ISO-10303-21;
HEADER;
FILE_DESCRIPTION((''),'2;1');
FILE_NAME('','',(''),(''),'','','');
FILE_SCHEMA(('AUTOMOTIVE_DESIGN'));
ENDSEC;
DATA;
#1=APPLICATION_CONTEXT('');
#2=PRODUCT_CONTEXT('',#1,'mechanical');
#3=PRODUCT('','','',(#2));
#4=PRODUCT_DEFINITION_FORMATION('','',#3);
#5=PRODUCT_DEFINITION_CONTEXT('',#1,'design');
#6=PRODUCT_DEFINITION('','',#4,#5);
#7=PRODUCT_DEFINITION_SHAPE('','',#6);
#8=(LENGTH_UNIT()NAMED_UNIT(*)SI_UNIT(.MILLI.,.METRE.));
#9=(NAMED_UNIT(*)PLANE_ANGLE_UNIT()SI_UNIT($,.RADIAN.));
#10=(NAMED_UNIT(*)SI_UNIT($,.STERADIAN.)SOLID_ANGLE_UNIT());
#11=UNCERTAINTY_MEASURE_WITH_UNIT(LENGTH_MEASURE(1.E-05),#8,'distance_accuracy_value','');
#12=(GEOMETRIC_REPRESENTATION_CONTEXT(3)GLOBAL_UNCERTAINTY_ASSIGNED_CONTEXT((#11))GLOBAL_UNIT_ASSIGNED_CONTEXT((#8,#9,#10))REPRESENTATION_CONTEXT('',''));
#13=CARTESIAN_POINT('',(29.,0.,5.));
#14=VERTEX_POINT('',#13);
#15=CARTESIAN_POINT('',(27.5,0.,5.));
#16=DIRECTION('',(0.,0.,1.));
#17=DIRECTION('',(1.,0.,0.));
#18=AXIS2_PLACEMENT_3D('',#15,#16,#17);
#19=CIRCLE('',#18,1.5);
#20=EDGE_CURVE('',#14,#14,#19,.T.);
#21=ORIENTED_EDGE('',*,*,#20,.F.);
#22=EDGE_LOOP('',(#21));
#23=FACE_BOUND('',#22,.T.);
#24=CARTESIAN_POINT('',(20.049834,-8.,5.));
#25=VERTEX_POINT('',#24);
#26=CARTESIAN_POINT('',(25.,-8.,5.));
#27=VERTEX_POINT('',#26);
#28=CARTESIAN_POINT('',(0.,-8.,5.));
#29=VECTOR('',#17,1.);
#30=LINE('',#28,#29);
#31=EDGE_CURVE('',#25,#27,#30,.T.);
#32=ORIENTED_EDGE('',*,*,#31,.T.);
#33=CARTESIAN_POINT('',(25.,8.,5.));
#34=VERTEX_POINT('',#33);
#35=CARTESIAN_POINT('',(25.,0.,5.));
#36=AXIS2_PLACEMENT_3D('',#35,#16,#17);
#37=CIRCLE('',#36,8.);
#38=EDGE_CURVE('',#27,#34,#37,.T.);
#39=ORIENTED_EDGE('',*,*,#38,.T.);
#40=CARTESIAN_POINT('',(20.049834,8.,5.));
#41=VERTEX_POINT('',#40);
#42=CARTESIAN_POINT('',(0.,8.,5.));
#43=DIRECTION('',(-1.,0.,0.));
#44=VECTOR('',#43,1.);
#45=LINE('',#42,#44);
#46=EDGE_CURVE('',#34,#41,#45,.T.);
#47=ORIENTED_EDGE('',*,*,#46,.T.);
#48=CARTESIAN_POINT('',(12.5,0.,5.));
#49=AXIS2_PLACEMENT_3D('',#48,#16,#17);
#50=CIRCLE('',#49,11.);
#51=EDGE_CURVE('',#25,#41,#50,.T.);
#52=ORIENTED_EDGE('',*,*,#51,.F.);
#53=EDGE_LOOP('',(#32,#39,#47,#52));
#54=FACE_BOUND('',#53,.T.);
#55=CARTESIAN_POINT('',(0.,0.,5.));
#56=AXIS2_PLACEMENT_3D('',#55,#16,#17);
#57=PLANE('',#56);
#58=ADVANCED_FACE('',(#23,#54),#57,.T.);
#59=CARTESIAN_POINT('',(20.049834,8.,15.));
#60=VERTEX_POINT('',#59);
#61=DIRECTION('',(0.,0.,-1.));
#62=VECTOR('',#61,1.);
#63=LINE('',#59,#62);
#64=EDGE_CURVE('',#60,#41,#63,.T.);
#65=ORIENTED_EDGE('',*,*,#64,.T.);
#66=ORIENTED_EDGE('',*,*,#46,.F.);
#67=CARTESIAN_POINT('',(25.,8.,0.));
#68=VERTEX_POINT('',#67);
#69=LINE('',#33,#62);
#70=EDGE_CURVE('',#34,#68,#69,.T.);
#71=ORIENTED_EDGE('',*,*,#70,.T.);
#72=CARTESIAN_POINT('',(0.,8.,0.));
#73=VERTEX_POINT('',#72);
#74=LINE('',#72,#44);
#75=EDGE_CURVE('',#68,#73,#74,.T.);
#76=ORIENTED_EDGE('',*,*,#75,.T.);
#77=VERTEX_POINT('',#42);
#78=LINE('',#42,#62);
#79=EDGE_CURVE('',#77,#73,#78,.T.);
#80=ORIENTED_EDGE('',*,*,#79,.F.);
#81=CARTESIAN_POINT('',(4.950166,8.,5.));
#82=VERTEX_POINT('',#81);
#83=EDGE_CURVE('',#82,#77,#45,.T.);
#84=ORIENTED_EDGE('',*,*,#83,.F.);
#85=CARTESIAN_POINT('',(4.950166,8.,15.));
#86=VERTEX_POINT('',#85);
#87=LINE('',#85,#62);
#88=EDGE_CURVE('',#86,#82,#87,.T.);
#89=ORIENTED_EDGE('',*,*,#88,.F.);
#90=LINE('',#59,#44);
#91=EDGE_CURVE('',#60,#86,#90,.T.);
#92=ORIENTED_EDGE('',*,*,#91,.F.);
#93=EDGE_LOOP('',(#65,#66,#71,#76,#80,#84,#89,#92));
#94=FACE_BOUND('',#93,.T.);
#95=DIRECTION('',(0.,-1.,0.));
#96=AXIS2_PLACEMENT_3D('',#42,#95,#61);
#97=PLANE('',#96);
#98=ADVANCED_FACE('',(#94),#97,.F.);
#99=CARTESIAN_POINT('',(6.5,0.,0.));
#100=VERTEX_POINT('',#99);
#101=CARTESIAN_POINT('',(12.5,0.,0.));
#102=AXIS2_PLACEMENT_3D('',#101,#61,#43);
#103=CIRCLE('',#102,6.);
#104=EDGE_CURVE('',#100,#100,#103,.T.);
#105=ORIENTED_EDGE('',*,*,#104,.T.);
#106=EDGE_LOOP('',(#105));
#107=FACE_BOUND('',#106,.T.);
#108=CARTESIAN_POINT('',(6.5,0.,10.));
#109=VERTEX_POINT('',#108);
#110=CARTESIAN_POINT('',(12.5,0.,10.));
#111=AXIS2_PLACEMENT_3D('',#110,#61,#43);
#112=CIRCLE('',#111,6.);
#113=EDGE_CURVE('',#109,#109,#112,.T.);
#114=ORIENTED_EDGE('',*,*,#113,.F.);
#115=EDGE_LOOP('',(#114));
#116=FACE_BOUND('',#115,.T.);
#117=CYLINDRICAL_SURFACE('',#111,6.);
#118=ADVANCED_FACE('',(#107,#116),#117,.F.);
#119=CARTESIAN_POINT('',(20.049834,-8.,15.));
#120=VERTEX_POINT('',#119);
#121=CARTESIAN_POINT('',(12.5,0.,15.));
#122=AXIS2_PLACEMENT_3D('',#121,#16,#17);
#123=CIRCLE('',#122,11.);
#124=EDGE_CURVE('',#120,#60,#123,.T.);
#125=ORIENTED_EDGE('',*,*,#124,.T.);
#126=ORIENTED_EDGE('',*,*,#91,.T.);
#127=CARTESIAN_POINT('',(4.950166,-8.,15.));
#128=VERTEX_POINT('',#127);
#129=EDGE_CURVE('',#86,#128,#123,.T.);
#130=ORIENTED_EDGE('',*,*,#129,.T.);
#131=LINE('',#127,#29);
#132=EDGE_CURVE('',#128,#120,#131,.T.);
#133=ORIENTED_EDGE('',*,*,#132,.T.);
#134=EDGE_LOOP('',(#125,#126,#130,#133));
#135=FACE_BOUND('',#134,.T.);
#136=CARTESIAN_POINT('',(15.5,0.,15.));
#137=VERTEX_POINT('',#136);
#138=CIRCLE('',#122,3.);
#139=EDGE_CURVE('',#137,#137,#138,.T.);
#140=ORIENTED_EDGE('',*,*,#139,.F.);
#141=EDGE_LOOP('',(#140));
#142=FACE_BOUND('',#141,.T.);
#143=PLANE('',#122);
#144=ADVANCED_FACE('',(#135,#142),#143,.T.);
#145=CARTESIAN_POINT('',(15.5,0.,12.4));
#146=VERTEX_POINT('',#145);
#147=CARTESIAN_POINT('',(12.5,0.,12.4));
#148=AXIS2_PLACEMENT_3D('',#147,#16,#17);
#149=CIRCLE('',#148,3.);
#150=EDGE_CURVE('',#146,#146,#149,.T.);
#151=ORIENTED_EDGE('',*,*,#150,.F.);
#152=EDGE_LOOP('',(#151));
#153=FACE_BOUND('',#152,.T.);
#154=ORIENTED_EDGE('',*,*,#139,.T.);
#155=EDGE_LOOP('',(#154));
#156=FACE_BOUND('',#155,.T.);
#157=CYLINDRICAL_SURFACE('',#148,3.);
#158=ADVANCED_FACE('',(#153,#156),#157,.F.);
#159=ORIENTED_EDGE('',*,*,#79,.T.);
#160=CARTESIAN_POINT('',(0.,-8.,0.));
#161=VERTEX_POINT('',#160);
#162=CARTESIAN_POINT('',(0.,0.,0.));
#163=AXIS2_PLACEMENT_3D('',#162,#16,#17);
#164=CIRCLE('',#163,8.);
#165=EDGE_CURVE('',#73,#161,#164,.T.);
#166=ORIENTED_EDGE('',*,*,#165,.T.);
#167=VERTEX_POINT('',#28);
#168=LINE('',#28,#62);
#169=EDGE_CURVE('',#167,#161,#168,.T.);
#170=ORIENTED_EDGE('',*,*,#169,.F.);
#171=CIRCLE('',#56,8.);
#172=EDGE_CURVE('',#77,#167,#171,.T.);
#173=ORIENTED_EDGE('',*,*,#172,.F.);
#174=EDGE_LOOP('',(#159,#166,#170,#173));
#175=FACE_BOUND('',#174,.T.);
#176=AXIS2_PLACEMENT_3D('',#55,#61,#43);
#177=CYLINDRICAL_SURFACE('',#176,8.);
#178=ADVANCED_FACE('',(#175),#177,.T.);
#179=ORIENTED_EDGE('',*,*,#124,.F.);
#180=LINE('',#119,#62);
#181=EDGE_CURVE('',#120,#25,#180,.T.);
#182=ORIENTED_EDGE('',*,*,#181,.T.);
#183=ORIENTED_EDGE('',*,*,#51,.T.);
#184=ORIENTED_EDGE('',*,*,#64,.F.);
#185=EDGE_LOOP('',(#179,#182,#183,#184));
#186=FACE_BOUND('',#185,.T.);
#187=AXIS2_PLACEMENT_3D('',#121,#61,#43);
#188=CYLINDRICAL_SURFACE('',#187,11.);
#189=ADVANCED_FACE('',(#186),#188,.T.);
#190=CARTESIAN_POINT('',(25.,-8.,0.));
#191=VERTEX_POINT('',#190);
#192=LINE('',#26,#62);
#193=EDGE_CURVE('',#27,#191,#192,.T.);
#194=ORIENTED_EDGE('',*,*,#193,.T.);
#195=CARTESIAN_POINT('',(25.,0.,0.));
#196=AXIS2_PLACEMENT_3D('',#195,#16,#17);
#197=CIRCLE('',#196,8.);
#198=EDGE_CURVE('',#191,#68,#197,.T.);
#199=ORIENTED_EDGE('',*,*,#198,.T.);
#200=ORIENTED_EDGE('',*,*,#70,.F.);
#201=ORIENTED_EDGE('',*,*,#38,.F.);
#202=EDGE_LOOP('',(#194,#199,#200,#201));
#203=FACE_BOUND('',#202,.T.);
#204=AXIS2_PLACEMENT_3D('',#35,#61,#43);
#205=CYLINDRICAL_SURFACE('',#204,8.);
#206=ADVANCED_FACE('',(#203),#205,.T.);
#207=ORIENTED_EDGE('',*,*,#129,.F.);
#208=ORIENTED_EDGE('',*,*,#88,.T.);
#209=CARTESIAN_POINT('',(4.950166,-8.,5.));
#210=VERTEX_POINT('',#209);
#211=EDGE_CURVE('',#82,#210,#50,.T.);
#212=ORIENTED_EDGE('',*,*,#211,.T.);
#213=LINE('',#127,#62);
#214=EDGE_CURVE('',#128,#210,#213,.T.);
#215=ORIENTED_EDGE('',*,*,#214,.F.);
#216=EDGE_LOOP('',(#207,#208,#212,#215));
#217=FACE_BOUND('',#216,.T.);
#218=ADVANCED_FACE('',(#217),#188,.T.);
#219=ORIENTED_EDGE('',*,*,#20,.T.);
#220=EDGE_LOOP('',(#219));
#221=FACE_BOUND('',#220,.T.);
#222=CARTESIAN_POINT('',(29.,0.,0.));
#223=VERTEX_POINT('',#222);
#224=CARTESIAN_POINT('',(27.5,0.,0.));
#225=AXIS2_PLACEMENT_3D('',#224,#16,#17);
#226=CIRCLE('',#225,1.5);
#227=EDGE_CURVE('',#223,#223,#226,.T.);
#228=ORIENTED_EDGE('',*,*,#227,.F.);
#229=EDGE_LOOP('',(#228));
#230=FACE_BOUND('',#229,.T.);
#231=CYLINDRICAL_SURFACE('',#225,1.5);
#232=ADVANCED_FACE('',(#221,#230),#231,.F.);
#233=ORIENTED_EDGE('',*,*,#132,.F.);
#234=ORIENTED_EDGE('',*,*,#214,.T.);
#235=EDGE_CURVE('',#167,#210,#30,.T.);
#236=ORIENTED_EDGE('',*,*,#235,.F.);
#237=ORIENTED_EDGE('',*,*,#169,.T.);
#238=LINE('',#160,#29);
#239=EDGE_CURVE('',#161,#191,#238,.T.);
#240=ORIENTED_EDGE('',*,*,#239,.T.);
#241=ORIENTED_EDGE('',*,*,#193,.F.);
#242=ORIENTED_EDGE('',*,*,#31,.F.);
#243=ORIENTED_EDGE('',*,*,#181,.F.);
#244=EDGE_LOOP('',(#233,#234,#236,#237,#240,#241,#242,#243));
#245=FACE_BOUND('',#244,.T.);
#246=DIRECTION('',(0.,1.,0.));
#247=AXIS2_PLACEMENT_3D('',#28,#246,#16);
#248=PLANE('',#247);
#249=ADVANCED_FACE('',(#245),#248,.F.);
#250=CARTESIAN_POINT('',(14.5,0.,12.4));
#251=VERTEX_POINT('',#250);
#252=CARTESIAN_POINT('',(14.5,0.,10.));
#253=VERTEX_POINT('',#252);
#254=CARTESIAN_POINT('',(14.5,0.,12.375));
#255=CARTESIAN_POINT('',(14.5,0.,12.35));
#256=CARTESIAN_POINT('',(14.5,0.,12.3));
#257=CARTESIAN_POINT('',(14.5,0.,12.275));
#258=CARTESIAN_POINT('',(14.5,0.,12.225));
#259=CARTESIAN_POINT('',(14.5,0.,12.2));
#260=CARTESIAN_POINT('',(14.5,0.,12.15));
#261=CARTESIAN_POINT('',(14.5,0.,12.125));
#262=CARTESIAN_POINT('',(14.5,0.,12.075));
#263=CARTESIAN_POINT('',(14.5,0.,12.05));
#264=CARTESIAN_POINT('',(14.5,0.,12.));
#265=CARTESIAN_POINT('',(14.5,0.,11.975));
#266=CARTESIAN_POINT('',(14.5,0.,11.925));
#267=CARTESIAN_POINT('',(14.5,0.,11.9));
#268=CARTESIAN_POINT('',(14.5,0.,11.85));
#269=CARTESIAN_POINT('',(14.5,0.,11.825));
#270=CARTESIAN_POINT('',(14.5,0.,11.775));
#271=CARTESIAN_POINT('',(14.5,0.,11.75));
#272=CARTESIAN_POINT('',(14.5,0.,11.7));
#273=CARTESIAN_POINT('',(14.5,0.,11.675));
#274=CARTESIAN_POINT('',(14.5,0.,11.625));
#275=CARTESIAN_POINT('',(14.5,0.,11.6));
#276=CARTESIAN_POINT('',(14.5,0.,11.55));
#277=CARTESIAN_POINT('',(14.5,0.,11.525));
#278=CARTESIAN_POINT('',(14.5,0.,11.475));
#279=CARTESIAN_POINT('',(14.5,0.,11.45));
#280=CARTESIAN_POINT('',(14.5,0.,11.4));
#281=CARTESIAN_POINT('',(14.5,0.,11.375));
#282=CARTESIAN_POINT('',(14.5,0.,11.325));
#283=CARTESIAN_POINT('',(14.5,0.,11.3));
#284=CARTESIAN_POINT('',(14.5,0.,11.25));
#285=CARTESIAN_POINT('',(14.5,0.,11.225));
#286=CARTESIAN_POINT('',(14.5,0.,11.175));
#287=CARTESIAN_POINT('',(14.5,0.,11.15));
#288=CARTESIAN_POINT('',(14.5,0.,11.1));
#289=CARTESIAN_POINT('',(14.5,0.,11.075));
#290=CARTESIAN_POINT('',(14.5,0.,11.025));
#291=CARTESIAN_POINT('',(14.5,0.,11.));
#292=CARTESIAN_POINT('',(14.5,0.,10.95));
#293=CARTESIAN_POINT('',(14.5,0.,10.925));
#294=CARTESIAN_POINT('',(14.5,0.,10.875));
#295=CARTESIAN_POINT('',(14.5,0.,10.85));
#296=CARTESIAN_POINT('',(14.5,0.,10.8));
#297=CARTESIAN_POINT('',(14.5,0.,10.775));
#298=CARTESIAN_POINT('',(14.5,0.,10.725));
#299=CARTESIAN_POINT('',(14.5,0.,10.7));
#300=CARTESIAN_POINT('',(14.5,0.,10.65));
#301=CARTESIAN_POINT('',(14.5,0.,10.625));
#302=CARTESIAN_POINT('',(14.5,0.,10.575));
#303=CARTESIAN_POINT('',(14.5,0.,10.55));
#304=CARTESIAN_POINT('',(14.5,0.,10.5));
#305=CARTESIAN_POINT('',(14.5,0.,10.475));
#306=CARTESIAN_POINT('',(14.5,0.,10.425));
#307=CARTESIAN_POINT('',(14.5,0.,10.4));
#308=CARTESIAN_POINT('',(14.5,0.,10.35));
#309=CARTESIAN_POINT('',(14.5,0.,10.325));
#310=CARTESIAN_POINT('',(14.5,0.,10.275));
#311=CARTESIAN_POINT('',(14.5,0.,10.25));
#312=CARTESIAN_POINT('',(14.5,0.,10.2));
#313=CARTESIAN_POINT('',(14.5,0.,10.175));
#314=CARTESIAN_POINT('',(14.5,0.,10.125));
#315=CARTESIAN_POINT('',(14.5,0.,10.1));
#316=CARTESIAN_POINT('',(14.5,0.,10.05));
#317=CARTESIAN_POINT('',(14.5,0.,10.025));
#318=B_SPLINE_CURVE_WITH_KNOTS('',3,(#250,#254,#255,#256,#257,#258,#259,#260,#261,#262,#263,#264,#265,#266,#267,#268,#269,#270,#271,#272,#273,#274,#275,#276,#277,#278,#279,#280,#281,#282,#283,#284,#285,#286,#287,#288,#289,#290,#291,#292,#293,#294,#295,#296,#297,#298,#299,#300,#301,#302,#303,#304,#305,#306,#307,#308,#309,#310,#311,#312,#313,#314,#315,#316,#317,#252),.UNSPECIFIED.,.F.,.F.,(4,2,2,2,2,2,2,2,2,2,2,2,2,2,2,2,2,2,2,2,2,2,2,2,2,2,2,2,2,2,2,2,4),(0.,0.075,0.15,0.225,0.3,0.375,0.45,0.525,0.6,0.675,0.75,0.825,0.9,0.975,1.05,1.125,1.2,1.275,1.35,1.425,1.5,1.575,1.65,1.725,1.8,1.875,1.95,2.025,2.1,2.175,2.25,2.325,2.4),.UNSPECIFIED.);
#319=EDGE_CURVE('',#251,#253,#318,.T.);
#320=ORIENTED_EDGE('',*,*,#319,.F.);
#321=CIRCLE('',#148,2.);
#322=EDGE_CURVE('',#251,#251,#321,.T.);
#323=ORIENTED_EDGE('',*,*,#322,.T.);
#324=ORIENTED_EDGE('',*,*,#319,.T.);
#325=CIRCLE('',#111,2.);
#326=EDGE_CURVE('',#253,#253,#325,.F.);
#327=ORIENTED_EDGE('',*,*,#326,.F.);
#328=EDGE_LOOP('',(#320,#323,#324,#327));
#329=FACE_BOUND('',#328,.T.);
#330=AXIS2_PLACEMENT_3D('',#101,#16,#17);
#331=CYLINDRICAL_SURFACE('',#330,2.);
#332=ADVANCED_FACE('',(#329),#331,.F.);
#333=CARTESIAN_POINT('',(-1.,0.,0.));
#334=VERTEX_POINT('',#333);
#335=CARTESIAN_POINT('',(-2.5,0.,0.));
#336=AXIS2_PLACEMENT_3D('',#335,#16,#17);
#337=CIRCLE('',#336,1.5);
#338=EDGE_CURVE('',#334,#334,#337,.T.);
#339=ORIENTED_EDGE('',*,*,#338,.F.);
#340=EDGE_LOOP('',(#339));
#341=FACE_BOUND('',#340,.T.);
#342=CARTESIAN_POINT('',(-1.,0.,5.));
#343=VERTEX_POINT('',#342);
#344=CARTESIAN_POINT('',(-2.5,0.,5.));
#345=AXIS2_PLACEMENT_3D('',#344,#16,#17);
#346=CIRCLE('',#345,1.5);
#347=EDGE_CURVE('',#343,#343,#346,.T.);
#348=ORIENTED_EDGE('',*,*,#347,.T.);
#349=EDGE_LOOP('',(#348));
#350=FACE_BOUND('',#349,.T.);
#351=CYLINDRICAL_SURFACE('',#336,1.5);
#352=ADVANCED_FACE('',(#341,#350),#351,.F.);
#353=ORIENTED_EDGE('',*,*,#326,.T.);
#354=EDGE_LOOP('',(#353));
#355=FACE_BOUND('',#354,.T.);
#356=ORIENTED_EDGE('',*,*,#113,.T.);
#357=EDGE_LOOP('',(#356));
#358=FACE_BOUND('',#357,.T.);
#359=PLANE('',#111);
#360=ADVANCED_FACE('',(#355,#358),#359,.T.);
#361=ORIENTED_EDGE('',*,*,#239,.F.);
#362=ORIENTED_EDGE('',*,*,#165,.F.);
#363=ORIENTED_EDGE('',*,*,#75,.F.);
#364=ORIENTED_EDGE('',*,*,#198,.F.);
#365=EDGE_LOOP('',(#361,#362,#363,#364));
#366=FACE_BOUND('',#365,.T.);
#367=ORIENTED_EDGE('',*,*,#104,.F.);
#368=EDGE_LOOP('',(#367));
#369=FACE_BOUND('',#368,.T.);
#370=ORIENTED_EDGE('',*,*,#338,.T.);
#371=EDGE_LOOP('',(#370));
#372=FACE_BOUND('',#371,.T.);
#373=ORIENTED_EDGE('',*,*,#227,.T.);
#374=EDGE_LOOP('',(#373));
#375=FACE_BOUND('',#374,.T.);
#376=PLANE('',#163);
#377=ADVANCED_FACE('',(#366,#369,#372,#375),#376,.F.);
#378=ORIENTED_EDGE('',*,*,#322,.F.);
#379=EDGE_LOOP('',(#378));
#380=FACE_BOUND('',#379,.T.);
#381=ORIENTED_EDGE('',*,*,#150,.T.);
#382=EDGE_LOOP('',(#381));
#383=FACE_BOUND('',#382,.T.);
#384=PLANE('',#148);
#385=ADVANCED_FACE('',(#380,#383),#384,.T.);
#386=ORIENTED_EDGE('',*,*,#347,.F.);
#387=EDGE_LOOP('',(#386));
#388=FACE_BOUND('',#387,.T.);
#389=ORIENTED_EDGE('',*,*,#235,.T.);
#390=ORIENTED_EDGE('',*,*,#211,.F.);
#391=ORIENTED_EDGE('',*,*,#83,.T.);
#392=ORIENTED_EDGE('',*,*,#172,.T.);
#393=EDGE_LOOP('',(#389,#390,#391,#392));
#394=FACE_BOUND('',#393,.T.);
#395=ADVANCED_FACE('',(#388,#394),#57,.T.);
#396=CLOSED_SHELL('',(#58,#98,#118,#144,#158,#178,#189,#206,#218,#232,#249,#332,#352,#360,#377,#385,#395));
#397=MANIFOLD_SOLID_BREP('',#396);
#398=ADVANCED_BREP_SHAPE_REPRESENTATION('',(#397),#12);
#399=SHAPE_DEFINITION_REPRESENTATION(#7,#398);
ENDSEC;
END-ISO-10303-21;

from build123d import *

# Parameters (mm, degrees)
EXTRUDE_1_DEPTH     = 5
EXTRUDE_2_DEPTH     = 10
SKETCH_3_R          = 3
CUT_EXTRUDE_1_DEPTH = 2.6
SKETCH_4_R          = 2
CUT_EXTRUDE_2_DEPTH = 37.149135536
SKETCH_5_R          = 6
CUT_EXTRUDE_3_DEPTH = 10
SKETCH_6_R          = 1.5
CUT_EXTRUDE_4_DEPTH = 36.397740041


with BuildPart() as part:
    # 草图1 → 凸台-拉伸1 (new body)
    with BuildSketch(Plane.XY):
        with BuildLine():
            Line((0, 8), (25, 8))
            ThreePointArc((25, 8), (33, 0), (25, -8))
            Line((25, -8), (0, -8))
            ThreePointArc((0, -8), (-8, 0), (0, 8))
        make_face()
    extrude(amount=EXTRUDE_1_DEPTH)

    # 草图2 → 凸台-拉伸2 (add)
    with BuildSketch(Plane.XY.offset(5)):
        with BuildLine():
            Line((4.950165565, -8), (20.049834435, -8))
            ThreePointArc((20.049834435, -8), (23.5, 0), (20.049834435, 8))
            Line((20.049834435, 8), (4.950165565, 8))
            ThreePointArc((4.950165565, 8), (1.5, 0), (4.950165565, -8))
        make_face()
    extrude(amount=EXTRUDE_2_DEPTH)

    # 草图3 → 切除-拉伸1 (cut)
    with BuildSketch(Plane.XY.offset(15)):
        with Locations((12.5, 0)):
            Circle(SKETCH_3_R)
    extrude(amount=-CUT_EXTRUDE_1_DEPTH, mode=Mode.SUBTRACT)

    # 草图4 → 切除-拉伸2 (cut, through all)
    with BuildSketch(Plane.XY.offset(12.4)):
        with Locations((12.5, 0)):
            Circle(SKETCH_4_R)
    extrude(amount=-CUT_EXTRUDE_2_DEPTH, mode=Mode.SUBTRACT)

    # 草图5 → 切除-拉伸3 (cut)
    with BuildSketch(Plane(origin=(0, 0, 0), x_dir=(-1, 0, 0), z_dir=(0, 0, -1))):
        with Locations((-12.5, 0)):
            Circle(SKETCH_5_R)
    extrude(amount=-CUT_EXTRUDE_3_DEPTH, mode=Mode.SUBTRACT)

    # 草图6 → 切除-拉伸4 (cut, through all)
    with BuildSketch(Plane.XY.offset(5)):
        with Locations((-2.5, 0)):
            Circle(SKETCH_6_R)
        with Locations((27.5, 0)):
            Circle(SKETCH_6_R)
    extrude(amount=-CUT_EXTRUDE_4_DEPTH, mode=Mode.SUBTRACT)


solid = part.part
